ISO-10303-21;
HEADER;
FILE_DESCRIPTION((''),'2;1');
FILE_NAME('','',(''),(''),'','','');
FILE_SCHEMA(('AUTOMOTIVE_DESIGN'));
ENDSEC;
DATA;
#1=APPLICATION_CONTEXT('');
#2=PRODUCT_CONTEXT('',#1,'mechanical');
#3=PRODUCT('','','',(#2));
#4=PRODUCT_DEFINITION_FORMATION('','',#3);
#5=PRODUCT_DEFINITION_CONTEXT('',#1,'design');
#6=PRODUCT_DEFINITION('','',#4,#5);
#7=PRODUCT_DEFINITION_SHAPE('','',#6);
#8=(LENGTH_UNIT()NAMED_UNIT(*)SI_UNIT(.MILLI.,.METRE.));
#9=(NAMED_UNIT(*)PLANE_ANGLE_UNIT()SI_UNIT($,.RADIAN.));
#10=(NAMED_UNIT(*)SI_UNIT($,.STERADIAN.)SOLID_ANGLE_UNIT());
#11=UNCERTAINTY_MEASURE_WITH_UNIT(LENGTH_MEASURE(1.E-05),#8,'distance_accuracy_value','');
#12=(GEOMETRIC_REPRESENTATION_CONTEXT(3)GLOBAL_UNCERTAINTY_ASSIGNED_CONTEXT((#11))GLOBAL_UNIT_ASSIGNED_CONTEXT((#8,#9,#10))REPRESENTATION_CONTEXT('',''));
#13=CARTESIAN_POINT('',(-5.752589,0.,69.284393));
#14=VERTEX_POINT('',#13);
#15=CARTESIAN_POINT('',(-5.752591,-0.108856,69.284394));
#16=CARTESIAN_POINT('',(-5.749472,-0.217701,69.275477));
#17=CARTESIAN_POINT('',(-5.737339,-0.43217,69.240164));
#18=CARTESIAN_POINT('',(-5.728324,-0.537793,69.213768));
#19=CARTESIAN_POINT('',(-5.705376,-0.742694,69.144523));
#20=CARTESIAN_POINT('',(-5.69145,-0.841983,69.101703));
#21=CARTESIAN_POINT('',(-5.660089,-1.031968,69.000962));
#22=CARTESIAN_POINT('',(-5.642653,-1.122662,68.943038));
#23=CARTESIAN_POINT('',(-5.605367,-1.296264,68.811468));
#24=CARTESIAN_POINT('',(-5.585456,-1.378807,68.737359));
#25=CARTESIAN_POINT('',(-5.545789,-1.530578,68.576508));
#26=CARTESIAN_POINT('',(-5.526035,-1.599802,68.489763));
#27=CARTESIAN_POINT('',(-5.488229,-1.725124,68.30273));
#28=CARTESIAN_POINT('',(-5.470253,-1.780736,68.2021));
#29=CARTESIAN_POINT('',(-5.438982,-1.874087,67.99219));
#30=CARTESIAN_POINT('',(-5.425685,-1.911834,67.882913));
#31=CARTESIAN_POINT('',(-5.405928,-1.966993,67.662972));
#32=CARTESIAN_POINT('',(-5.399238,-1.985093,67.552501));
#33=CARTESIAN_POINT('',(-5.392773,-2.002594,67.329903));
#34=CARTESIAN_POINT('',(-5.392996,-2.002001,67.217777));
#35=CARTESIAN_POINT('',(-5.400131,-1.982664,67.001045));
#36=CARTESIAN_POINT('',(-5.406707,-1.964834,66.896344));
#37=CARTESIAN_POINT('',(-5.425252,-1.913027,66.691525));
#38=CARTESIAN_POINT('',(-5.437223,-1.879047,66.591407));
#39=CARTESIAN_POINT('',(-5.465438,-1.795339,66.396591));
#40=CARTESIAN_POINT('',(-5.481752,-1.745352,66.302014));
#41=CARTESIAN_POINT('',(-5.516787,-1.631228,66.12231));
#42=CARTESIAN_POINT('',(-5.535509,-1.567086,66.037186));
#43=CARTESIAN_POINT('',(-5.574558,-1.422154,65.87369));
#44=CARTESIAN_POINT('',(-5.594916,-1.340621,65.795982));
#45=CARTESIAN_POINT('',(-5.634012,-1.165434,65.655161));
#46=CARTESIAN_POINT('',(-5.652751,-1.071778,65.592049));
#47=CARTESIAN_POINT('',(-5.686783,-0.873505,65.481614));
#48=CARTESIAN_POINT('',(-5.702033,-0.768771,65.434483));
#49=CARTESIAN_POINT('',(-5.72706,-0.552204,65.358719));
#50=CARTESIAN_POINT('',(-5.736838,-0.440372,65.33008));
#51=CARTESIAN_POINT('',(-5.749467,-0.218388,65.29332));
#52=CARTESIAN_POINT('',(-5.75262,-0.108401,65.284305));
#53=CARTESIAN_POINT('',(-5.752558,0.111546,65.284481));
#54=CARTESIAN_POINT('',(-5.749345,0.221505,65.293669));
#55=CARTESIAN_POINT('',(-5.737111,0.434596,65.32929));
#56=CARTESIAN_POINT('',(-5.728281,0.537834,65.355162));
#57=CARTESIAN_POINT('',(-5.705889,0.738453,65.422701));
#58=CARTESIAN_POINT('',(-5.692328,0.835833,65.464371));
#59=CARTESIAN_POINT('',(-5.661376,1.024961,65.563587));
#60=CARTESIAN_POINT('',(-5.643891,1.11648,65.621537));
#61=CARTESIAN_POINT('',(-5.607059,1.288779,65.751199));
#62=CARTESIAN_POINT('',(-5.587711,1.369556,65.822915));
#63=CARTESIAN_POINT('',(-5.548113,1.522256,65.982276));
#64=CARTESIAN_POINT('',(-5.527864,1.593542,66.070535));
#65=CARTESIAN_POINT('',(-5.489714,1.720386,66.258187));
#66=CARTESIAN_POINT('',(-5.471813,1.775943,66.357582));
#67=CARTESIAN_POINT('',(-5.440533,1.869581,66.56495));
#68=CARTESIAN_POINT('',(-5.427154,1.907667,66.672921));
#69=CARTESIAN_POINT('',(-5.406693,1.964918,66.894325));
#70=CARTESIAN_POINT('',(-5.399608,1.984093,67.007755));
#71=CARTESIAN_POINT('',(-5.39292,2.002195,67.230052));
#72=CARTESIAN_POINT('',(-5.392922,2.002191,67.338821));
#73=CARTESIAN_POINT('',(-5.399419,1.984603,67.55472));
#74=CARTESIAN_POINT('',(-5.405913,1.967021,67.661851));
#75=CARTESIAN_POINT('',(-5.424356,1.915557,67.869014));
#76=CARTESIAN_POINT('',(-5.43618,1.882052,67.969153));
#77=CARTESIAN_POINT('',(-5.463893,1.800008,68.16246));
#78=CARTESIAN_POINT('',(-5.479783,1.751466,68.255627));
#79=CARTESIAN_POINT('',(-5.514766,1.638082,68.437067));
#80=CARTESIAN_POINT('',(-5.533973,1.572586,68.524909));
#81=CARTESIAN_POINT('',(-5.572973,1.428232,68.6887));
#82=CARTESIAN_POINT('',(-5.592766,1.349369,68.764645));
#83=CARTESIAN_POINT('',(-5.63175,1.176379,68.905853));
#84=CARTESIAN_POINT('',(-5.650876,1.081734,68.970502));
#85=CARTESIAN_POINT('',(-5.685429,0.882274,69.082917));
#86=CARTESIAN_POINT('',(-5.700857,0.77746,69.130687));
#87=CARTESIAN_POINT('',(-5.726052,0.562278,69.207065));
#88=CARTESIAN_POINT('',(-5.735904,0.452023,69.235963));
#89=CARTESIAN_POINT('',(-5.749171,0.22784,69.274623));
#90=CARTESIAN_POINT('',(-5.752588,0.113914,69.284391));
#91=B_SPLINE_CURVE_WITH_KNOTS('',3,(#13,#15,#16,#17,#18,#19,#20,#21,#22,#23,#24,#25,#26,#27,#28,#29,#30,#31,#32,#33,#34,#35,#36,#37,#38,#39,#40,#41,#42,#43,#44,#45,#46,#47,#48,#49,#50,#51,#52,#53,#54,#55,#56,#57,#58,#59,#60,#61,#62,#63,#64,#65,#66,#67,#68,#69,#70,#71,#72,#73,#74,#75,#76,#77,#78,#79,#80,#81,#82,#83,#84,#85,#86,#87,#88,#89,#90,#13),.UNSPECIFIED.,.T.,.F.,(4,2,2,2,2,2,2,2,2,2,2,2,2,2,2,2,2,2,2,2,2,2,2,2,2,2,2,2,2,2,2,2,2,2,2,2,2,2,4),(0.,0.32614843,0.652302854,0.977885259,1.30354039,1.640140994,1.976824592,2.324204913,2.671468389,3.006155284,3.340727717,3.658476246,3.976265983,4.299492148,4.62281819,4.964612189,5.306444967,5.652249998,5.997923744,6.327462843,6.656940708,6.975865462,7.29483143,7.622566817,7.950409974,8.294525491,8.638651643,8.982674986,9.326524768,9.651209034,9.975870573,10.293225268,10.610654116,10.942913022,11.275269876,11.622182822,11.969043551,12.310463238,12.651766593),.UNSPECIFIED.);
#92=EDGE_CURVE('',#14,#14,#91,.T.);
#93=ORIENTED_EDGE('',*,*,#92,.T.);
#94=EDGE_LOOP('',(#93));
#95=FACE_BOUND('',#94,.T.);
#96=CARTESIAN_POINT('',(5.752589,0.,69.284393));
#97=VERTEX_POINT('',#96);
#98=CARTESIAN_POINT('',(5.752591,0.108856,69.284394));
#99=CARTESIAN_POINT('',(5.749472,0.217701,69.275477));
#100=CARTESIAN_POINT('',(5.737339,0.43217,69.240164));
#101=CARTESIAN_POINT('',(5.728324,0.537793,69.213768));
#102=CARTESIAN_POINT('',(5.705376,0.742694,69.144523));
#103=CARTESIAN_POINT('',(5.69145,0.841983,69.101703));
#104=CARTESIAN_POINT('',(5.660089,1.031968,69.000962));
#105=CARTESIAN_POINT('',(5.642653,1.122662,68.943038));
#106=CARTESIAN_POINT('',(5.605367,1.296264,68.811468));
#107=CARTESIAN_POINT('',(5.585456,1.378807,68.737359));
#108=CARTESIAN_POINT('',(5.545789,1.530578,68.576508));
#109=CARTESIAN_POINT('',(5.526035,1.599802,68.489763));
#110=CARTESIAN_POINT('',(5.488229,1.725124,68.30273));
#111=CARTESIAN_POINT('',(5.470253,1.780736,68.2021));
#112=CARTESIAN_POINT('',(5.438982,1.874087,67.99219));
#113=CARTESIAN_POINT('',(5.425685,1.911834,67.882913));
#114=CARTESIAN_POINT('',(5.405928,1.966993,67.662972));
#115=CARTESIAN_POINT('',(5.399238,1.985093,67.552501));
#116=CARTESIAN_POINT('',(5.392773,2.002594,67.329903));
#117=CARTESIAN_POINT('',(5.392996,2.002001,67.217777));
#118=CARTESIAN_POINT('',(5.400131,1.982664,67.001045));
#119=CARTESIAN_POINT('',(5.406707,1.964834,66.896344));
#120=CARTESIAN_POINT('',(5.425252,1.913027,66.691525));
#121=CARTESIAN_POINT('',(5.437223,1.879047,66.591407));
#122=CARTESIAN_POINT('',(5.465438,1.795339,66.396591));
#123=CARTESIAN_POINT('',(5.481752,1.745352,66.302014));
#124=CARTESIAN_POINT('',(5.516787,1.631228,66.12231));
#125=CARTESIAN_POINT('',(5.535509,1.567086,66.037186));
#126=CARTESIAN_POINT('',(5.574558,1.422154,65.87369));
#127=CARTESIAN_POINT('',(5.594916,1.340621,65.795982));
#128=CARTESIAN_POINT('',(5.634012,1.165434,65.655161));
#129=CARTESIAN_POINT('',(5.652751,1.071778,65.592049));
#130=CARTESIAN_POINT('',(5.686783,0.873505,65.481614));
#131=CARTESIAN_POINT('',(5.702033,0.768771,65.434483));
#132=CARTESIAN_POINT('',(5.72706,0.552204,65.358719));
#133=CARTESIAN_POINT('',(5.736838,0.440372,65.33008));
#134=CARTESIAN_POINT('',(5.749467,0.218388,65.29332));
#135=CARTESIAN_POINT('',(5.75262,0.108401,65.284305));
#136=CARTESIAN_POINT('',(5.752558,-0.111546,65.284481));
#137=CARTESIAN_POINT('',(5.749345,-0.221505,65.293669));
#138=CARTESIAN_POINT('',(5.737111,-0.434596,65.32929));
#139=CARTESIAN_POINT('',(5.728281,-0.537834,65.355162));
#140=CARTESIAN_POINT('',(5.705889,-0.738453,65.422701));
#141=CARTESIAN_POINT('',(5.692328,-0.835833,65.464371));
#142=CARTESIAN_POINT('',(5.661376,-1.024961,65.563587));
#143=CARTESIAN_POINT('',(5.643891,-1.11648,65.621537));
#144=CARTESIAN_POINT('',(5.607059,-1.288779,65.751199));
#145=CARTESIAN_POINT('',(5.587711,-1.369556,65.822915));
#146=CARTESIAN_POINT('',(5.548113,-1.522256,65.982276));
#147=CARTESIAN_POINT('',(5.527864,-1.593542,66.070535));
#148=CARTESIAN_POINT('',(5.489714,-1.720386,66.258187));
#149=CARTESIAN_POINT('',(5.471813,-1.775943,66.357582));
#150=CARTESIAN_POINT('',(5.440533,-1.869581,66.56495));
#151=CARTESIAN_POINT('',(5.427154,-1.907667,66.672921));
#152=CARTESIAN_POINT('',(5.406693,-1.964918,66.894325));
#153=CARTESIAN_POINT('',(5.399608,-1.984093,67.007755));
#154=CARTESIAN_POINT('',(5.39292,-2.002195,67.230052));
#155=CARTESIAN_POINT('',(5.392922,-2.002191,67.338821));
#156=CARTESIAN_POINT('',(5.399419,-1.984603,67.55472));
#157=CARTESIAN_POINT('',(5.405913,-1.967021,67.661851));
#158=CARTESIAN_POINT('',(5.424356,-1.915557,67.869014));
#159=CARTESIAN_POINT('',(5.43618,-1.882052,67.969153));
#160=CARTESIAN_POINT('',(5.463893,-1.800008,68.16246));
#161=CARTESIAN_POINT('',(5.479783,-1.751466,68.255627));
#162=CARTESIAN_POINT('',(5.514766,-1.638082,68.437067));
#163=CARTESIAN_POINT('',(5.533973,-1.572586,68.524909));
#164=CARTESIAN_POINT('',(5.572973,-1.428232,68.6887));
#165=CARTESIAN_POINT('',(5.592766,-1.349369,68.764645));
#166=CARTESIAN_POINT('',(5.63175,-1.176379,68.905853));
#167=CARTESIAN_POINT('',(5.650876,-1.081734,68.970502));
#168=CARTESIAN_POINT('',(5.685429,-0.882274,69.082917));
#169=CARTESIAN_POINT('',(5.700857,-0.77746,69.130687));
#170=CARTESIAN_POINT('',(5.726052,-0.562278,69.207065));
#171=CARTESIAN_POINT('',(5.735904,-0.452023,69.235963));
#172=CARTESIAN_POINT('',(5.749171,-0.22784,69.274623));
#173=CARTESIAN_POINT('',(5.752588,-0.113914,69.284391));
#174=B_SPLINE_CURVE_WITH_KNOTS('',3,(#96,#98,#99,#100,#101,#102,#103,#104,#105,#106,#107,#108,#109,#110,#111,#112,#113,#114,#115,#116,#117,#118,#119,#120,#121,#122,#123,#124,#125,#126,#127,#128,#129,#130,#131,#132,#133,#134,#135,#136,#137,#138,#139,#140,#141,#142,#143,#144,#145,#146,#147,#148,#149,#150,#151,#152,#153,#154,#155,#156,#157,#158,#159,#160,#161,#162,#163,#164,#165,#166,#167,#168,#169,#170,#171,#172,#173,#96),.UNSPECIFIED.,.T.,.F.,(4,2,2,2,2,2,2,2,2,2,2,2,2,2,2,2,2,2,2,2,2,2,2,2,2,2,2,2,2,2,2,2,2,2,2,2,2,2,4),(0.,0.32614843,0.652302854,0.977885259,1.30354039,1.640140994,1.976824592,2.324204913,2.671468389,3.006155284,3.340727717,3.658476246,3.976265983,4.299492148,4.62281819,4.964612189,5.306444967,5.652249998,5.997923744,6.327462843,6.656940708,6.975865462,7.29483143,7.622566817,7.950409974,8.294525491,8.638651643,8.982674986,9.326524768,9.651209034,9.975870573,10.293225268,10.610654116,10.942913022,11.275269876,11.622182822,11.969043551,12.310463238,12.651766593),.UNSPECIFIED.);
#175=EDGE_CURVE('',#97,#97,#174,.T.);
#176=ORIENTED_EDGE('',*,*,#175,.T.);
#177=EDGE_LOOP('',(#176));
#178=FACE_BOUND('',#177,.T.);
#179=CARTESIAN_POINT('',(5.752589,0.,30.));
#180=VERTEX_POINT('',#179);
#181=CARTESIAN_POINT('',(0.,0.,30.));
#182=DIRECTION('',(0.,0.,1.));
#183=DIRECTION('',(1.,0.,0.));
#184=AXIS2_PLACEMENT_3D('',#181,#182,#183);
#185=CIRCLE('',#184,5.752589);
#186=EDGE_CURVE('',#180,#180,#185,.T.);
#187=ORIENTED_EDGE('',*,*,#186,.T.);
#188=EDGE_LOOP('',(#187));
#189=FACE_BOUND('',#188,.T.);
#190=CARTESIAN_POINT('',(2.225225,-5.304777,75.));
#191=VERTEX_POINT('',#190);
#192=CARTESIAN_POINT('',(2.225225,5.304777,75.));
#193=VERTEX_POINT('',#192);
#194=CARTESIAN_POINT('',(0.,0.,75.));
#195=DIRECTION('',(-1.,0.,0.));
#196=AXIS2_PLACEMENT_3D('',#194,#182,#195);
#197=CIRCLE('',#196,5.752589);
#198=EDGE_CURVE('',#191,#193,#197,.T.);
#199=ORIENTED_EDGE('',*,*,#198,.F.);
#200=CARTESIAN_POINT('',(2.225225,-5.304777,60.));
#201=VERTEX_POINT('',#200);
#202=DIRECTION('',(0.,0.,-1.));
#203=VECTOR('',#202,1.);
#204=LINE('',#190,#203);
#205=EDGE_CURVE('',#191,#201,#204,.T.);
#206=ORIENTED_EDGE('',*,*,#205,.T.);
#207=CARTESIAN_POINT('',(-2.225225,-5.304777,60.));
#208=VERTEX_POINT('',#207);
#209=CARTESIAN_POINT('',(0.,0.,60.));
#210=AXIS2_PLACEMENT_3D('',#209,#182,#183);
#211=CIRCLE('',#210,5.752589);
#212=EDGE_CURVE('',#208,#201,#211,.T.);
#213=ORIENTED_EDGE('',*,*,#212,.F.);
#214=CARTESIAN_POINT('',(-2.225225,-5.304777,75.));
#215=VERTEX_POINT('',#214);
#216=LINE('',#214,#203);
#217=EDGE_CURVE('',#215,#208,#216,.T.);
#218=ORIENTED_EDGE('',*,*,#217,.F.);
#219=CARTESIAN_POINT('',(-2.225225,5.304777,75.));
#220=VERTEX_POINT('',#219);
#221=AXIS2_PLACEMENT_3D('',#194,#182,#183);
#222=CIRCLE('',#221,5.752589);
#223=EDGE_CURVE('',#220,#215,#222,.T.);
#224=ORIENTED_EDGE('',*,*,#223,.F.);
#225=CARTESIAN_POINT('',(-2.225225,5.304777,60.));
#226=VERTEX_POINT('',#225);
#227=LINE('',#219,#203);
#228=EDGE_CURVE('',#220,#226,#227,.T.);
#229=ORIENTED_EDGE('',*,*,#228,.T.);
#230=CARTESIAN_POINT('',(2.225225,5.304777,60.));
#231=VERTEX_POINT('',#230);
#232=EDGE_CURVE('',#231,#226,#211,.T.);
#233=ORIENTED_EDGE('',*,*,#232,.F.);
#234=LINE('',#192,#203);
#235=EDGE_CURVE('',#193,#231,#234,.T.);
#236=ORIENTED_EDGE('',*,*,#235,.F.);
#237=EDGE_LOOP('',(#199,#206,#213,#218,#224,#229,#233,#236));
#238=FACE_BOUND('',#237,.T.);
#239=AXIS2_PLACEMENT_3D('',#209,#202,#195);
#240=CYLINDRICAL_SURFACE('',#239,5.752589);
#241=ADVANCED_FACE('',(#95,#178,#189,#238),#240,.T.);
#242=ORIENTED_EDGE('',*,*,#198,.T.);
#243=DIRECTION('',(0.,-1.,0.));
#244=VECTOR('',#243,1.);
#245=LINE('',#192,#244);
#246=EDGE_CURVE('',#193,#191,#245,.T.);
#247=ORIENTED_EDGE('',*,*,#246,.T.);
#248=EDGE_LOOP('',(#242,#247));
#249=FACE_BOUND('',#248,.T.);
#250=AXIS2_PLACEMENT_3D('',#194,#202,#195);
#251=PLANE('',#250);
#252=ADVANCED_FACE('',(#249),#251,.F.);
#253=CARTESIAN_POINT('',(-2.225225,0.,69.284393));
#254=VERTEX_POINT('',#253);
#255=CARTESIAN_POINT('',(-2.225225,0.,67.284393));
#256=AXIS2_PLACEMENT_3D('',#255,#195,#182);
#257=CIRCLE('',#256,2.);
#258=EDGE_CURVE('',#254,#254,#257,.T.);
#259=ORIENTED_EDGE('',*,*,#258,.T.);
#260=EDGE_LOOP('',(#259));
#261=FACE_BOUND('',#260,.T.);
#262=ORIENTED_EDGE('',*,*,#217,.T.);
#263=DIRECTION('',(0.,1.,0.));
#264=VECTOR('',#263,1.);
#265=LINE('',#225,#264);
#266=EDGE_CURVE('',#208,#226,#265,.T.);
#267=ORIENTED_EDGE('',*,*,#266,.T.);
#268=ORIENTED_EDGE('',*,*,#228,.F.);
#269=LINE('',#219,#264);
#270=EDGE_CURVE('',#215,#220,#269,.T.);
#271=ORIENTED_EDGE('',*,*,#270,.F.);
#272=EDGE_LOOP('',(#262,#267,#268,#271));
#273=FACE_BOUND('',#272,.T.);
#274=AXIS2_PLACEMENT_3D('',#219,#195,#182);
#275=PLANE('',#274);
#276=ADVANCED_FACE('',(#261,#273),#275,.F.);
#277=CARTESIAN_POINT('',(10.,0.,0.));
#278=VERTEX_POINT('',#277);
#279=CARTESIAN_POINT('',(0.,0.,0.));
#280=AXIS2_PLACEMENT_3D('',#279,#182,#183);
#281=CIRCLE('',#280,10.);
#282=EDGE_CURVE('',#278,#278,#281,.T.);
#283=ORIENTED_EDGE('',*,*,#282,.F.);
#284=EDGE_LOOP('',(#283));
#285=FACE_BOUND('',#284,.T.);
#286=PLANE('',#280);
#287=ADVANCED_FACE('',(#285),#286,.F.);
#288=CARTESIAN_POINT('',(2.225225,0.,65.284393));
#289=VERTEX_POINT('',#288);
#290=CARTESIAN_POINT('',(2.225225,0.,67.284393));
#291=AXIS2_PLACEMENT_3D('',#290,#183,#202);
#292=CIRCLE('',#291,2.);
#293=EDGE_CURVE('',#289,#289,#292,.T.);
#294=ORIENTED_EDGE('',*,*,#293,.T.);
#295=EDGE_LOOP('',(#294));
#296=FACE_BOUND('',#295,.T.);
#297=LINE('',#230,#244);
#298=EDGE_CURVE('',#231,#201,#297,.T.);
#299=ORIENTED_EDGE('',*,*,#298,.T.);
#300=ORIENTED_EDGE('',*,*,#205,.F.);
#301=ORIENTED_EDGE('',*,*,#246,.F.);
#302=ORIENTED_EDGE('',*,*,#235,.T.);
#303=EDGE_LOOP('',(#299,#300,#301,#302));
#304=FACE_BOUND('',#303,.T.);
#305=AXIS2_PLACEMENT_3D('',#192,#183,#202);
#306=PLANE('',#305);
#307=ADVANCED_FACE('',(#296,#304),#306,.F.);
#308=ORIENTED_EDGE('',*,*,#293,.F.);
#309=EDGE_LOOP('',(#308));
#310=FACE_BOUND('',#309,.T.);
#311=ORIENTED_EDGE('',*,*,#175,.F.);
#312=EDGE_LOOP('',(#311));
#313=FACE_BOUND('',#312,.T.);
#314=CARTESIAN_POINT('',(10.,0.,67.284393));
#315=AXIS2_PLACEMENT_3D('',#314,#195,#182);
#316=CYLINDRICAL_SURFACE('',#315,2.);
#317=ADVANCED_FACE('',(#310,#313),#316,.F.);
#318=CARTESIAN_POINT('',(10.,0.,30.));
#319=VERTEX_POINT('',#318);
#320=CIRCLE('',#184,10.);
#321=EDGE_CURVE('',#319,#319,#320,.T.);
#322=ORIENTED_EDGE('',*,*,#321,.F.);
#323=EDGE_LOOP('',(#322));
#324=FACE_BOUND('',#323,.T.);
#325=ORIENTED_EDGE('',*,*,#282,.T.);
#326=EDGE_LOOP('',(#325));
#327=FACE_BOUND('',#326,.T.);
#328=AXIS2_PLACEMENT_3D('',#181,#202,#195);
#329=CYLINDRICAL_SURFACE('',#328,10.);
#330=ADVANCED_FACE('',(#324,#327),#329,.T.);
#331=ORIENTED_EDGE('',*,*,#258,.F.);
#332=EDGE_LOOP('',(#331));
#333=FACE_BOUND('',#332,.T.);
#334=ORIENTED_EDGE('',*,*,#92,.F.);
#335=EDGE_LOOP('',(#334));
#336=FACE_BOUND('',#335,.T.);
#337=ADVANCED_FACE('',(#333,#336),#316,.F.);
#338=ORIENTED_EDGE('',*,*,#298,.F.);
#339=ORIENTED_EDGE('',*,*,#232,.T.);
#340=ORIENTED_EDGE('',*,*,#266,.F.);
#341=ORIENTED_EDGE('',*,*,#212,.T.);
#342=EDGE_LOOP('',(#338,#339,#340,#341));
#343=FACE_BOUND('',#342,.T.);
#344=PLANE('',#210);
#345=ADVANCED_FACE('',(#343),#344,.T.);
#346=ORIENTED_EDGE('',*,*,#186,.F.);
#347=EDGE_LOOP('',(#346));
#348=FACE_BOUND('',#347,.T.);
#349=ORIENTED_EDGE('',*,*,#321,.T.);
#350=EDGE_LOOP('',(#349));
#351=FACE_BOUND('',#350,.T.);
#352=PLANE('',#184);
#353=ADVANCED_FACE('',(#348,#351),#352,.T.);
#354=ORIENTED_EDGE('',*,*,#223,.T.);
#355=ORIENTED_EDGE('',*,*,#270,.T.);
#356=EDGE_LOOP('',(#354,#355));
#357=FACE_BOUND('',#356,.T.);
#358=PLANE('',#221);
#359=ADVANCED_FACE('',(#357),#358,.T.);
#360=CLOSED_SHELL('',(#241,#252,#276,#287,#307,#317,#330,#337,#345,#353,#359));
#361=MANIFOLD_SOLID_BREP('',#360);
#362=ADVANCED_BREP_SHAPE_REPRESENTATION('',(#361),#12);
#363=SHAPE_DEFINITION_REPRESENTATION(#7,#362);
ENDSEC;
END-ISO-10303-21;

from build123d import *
from build123d.topology import SkipClean

# Parameters (mm, degrees)
ESQUISSE1_R                  = 10
BOSS_EXTRU_1_DEPTH           = 30
ESQUISSE2_R                  = 5.752589483
BOSS_EXTRU_2_DEPTH           = 30
BOSS_EXTRU_3_DEPTH           = 15
ENL_V_MAT_EXTRU_1_DEPTH      = 77.645000637
ENL_V_MAT_EXTRU_1_DEPTH_BACK = 77.645000637
ESQUISSE4_R                  = 2


with BuildPart() as part:
    # Esquisse1 → Boss.-Extru.1 (new body)
    with BuildSketch(Plane.XY):
        Circle(ESQUISSE1_R)
    extrude(amount=BOSS_EXTRU_1_DEPTH)

    # Esquisse2 → Boss.-Extru.2 (add)
    with BuildSketch(Plane.XY.offset(30)):
        Circle(ESQUISSE2_R)
    extrude(amount=BOSS_EXTRU_2_DEPTH)

    # Esquisse3 → Boss.-Extru.3 (add)
    with SkipClean():  # the faces are left unmerged after this step: merging them gives an invalid solid
        with BuildSketch(Plane.XY.offset(60)):
            with BuildLine():
                Line((-2.225224852, 5.304777104), (-2.225224852, -5.304777104))
                ThreePointArc((-2.225224852, -5.304777104), (-5.752589483, 0), (-2.225224852, 5.304777104))
            make_face()
            with BuildLine():
                Line((2.225224852, 5.304777104), (2.225224852, -5.304777104))
                ThreePointArc((2.225224852, -5.304777104), (5.752589483, 0), (2.225224852, 5.304777104))
            make_face()
        extrude(amount=BOSS_EXTRU_3_DEPTH)

    # Esquisse4 → Enlèv. mat.-Extru.1 (cut, two sides: drawn at the far end of the back side and taken through both)
    with SkipClean():  # the faces are left unmerged after this step: merging them gives an invalid solid
        with BuildSketch(Plane.ZY.offset(-2.225224852).offset(-ENL_V_MAT_EXTRU_1_DEPTH_BACK)):
            with Locations((67.284392663, 0)):
                Circle(ESQUISSE4_R)
        extrude(amount=ENL_V_MAT_EXTRU_1_DEPTH + ENL_V_MAT_EXTRU_1_DEPTH_BACK, mode=Mode.SUBTRACT)


solid = part.part
